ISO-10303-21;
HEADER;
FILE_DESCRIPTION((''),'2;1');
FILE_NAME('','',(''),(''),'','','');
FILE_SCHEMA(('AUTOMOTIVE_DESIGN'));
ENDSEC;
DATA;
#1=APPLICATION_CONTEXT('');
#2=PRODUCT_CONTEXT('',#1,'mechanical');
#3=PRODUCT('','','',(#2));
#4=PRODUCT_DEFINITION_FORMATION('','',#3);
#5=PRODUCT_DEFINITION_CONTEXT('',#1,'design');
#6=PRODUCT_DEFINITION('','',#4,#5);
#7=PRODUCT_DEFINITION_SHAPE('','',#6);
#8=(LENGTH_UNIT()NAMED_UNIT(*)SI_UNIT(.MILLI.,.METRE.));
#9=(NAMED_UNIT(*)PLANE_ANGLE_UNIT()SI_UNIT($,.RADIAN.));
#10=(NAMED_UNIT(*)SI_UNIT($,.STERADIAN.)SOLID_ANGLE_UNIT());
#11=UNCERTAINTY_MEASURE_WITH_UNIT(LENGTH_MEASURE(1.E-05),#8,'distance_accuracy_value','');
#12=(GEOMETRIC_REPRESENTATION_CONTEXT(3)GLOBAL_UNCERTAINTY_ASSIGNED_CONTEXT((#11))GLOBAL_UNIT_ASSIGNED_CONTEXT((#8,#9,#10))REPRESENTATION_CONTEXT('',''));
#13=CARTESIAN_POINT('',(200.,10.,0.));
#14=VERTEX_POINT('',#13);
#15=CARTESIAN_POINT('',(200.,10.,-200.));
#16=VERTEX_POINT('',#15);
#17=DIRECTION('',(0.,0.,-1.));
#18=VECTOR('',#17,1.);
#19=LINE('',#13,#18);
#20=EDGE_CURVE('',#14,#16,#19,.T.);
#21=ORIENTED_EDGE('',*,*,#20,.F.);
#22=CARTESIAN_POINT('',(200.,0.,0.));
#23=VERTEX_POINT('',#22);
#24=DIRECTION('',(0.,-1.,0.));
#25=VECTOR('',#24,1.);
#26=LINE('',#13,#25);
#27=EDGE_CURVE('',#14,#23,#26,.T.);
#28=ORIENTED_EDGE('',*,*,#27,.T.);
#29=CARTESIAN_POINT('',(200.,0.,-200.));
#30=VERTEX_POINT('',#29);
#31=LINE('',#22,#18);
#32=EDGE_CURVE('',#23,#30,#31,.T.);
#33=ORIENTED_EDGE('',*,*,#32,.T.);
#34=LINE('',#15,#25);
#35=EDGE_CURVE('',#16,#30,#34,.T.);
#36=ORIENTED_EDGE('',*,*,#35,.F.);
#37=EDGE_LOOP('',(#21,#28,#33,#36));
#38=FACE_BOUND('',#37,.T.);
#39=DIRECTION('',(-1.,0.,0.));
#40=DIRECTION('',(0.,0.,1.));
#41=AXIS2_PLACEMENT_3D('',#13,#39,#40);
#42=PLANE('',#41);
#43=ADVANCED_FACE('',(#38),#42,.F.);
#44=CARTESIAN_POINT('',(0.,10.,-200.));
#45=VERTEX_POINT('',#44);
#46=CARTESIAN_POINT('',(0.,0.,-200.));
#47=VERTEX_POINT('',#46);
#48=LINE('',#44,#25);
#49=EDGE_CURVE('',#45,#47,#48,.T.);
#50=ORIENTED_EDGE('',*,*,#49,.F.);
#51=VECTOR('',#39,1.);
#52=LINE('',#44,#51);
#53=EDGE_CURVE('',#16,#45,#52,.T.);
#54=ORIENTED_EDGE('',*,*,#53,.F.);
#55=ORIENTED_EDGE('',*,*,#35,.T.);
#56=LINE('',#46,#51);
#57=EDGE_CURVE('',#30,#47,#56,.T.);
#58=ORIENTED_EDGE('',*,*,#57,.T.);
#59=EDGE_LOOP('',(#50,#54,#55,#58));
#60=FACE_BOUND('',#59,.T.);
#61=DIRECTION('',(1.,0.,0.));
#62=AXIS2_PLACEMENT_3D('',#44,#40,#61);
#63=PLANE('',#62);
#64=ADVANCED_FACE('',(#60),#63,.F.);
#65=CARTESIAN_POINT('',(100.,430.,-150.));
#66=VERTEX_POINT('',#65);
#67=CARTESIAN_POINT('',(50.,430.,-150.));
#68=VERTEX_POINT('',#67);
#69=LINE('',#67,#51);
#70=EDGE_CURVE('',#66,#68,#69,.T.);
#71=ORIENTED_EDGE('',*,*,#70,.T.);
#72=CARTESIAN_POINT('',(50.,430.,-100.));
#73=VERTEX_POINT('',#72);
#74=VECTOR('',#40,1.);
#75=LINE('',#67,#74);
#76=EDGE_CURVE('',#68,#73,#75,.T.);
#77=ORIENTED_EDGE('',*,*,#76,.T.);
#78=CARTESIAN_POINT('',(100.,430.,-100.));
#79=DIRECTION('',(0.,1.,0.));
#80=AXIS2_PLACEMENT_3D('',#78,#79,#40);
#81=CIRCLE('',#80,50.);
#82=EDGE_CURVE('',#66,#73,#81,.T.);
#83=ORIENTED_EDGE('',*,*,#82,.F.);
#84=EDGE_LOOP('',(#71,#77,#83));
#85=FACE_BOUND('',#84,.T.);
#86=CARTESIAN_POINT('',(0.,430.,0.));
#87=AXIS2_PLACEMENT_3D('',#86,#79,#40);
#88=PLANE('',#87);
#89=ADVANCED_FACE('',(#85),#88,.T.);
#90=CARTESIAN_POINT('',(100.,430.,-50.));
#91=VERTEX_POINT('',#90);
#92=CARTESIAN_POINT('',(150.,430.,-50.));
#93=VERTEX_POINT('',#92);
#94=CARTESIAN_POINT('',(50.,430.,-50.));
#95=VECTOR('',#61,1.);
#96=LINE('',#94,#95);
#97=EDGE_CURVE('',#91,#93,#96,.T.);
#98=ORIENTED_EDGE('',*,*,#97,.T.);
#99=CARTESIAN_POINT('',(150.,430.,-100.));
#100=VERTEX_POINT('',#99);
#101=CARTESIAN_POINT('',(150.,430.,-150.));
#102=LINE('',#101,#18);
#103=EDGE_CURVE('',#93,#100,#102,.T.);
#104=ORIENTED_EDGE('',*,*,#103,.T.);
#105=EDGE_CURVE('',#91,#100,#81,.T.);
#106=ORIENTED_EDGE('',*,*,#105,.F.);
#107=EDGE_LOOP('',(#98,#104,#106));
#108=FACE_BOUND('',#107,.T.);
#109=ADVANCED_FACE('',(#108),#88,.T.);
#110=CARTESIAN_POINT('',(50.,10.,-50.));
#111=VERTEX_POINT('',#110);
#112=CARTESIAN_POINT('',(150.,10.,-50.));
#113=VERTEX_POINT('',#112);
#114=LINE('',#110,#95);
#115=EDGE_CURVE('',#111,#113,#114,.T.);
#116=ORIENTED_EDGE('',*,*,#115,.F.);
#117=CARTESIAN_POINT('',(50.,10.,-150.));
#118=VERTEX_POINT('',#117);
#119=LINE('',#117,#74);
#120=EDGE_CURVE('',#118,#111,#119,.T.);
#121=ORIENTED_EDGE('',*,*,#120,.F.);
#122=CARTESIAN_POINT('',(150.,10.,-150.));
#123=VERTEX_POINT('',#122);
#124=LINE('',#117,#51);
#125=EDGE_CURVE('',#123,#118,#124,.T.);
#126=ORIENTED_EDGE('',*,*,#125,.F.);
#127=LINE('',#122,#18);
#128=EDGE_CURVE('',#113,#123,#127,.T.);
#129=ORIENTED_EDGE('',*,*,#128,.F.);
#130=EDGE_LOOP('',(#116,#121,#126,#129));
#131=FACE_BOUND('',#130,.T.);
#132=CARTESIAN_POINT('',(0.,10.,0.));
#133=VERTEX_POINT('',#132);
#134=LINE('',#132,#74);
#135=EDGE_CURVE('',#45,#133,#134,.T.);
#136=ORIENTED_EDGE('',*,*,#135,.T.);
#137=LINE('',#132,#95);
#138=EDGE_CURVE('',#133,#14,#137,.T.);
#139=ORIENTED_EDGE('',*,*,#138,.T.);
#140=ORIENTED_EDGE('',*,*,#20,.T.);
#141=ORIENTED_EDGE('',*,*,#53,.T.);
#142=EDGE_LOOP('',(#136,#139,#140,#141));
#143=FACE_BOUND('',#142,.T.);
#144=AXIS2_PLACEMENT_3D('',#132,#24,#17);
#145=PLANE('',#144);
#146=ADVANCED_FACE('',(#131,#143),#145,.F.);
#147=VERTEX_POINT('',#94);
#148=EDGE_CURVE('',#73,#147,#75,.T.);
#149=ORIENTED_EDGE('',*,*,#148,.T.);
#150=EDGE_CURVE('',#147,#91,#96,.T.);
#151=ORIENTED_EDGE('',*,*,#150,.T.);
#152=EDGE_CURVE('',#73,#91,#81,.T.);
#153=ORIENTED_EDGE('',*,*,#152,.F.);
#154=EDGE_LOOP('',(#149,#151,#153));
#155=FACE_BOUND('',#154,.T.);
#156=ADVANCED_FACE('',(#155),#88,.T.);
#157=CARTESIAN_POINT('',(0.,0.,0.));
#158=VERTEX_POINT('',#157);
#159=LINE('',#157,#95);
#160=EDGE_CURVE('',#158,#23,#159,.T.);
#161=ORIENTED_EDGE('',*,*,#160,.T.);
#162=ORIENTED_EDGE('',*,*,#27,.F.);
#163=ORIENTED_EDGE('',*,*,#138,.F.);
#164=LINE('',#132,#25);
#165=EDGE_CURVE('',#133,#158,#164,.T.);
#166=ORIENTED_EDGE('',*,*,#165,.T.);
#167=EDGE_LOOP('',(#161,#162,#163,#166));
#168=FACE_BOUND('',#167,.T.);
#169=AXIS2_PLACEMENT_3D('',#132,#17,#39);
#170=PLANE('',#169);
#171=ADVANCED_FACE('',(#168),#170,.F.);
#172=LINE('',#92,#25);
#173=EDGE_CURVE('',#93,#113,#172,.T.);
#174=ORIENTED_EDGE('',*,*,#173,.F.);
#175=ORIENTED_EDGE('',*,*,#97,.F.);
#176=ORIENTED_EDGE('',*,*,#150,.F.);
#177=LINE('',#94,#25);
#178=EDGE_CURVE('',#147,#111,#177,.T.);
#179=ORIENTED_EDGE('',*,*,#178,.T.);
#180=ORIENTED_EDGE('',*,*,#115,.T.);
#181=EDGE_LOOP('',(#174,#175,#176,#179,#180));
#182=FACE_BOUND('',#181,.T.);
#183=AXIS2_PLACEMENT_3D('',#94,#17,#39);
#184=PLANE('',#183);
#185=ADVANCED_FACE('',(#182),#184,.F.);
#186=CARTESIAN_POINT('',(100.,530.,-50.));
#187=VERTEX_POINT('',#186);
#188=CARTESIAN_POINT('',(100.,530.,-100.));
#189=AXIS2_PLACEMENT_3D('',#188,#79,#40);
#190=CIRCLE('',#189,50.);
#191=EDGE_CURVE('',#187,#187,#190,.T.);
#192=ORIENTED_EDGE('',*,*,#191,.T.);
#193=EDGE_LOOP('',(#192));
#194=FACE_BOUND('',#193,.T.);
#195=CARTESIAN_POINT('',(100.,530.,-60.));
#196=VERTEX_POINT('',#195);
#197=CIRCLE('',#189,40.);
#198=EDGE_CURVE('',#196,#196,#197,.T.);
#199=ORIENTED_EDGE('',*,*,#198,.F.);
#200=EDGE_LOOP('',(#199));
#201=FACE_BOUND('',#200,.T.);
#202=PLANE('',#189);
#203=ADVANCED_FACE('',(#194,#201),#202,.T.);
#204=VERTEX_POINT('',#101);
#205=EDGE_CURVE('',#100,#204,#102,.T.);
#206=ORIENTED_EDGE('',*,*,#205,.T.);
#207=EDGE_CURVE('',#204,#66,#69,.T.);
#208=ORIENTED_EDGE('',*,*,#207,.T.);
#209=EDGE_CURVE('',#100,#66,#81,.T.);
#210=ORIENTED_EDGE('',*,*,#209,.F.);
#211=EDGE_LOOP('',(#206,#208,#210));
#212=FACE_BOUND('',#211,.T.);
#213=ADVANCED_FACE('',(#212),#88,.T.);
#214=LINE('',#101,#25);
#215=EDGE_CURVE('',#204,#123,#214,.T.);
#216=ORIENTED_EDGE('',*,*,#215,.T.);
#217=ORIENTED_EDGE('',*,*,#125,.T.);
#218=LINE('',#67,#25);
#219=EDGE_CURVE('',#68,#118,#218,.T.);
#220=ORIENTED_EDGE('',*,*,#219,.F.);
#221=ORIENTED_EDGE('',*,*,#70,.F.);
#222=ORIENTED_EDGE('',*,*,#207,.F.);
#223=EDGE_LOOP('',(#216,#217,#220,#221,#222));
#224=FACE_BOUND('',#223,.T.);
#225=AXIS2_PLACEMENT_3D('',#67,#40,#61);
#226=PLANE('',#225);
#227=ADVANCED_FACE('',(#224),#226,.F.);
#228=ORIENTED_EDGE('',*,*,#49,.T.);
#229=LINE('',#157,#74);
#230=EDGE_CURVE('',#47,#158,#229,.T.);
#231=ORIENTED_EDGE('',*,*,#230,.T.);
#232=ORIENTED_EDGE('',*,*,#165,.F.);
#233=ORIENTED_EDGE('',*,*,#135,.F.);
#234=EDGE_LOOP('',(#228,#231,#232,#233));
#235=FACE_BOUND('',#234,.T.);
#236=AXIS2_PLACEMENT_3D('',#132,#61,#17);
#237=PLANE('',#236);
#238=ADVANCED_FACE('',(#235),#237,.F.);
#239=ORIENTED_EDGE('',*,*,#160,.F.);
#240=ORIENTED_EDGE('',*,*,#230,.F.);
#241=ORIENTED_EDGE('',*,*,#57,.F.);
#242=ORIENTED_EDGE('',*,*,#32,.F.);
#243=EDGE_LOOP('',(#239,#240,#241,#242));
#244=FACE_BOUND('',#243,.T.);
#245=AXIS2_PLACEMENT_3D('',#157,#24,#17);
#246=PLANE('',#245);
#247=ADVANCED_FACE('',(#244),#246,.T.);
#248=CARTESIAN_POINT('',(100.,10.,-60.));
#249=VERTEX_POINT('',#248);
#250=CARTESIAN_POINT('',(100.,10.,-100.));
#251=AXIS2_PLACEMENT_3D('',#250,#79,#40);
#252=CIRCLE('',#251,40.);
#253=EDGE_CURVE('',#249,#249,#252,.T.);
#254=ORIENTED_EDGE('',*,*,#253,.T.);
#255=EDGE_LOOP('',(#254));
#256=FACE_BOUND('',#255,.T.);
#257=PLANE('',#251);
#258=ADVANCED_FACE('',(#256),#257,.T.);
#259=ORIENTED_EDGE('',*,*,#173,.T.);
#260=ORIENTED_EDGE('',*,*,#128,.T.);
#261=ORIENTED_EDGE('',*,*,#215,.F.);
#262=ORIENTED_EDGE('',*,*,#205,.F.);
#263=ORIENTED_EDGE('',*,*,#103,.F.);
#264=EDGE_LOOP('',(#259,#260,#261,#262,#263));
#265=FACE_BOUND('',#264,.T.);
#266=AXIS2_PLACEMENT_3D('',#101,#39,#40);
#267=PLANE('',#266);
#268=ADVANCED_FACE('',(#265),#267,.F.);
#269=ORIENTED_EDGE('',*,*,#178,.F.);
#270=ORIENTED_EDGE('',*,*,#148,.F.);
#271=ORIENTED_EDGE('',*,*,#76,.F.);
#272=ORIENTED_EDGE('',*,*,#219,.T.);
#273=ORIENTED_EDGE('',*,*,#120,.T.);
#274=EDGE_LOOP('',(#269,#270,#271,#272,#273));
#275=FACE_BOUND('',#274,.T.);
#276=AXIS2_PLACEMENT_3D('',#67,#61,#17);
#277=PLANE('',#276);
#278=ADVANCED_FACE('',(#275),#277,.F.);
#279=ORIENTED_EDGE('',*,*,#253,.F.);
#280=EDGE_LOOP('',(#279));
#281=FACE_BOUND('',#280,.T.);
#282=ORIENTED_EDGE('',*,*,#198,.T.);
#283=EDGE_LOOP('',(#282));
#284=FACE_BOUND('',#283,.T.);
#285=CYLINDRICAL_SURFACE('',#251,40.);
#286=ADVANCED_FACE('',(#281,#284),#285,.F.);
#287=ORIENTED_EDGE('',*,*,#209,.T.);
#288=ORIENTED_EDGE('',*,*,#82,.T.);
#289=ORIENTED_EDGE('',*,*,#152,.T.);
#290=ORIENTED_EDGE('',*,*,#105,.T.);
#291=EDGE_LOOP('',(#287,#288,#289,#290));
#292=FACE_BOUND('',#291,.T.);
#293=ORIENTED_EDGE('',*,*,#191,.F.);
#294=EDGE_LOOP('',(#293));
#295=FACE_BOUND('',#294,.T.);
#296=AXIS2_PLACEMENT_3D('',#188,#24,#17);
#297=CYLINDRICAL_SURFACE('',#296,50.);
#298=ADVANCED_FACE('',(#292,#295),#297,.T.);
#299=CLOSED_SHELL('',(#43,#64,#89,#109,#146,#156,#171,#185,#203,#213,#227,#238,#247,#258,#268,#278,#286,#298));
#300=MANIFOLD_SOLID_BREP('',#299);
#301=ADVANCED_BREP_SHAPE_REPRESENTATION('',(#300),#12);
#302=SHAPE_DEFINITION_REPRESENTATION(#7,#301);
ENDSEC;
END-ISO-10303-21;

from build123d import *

# Parameters (mm, degrees)
SKETCH1_W           = 200
SKETCH1_H           = 200
BOSS_EXTRUDE1_DEPTH = 10
SKETCH2_W           = 100
SKETCH2_H           = 100
BOSS_EXTRUDE2_DEPTH = 420
SKETCH3_R           = 40
CUT_EXTRUDE1_DEPTH  = 420
BOSS_EXTRUDE4_START = 100
SKETCH5_R           = 50
SKETCH5_R_2         = 40
BOSS_EXTRUDE4_DEPTH = 100


with BuildPart() as part:
    # Sketch1 → Boss-Extrude1 (new body)
    with BuildSketch(Plane(origin=(0, 0, 0), x_dir=(1, 0, 0), z_dir=(0, 1, 0))):
        with Locations((100, 100)):
            Rectangle(SKETCH1_W, SKETCH1_H)
    extrude(amount=BOSS_EXTRUDE1_DEPTH)

    # Sketch2 → Boss-Extrude2 (add)
    with BuildSketch(Plane(origin=(0, 10, 0), x_dir=(1, 0, 0), z_dir=(0, 1, 0))):
        with Locations((100, 100)):
            Rectangle(SKETCH2_W, SKETCH2_H)
    extrude(amount=BOSS_EXTRUDE2_DEPTH)

    # Sketch3 → Cut-Extrude1 (cut)
    with BuildSketch(Plane(origin=(0, 430, 0), x_dir=(1, 0, 0), z_dir=(0, 1, 0))):
        with Locations(Location((100, 100, 0), (0, 0, 270))):
            Circle(SKETCH3_R)
    extrude(amount=-CUT_EXTRUDE1_DEPTH, mode=Mode.SUBTRACT)

    # Sketch5 → Boss-Extrude4 (add)
    with BuildSketch(Plane(origin=(0, 430, 0), x_dir=(1, 0, 0), z_dir=(0, 1, 0)).offset(BOSS_EXTRUDE4_START)):
        with Locations(Location((100, 100, 0), (0, 0, 270))):
            Circle(SKETCH5_R)
        with Locations(Location((100, 100, 0), (0, 0, 270))):
            Circle(SKETCH5_R_2, mode=Mode.SUBTRACT)
    extrude(amount=-BOSS_EXTRUDE4_DEPTH)


solid = part.part
